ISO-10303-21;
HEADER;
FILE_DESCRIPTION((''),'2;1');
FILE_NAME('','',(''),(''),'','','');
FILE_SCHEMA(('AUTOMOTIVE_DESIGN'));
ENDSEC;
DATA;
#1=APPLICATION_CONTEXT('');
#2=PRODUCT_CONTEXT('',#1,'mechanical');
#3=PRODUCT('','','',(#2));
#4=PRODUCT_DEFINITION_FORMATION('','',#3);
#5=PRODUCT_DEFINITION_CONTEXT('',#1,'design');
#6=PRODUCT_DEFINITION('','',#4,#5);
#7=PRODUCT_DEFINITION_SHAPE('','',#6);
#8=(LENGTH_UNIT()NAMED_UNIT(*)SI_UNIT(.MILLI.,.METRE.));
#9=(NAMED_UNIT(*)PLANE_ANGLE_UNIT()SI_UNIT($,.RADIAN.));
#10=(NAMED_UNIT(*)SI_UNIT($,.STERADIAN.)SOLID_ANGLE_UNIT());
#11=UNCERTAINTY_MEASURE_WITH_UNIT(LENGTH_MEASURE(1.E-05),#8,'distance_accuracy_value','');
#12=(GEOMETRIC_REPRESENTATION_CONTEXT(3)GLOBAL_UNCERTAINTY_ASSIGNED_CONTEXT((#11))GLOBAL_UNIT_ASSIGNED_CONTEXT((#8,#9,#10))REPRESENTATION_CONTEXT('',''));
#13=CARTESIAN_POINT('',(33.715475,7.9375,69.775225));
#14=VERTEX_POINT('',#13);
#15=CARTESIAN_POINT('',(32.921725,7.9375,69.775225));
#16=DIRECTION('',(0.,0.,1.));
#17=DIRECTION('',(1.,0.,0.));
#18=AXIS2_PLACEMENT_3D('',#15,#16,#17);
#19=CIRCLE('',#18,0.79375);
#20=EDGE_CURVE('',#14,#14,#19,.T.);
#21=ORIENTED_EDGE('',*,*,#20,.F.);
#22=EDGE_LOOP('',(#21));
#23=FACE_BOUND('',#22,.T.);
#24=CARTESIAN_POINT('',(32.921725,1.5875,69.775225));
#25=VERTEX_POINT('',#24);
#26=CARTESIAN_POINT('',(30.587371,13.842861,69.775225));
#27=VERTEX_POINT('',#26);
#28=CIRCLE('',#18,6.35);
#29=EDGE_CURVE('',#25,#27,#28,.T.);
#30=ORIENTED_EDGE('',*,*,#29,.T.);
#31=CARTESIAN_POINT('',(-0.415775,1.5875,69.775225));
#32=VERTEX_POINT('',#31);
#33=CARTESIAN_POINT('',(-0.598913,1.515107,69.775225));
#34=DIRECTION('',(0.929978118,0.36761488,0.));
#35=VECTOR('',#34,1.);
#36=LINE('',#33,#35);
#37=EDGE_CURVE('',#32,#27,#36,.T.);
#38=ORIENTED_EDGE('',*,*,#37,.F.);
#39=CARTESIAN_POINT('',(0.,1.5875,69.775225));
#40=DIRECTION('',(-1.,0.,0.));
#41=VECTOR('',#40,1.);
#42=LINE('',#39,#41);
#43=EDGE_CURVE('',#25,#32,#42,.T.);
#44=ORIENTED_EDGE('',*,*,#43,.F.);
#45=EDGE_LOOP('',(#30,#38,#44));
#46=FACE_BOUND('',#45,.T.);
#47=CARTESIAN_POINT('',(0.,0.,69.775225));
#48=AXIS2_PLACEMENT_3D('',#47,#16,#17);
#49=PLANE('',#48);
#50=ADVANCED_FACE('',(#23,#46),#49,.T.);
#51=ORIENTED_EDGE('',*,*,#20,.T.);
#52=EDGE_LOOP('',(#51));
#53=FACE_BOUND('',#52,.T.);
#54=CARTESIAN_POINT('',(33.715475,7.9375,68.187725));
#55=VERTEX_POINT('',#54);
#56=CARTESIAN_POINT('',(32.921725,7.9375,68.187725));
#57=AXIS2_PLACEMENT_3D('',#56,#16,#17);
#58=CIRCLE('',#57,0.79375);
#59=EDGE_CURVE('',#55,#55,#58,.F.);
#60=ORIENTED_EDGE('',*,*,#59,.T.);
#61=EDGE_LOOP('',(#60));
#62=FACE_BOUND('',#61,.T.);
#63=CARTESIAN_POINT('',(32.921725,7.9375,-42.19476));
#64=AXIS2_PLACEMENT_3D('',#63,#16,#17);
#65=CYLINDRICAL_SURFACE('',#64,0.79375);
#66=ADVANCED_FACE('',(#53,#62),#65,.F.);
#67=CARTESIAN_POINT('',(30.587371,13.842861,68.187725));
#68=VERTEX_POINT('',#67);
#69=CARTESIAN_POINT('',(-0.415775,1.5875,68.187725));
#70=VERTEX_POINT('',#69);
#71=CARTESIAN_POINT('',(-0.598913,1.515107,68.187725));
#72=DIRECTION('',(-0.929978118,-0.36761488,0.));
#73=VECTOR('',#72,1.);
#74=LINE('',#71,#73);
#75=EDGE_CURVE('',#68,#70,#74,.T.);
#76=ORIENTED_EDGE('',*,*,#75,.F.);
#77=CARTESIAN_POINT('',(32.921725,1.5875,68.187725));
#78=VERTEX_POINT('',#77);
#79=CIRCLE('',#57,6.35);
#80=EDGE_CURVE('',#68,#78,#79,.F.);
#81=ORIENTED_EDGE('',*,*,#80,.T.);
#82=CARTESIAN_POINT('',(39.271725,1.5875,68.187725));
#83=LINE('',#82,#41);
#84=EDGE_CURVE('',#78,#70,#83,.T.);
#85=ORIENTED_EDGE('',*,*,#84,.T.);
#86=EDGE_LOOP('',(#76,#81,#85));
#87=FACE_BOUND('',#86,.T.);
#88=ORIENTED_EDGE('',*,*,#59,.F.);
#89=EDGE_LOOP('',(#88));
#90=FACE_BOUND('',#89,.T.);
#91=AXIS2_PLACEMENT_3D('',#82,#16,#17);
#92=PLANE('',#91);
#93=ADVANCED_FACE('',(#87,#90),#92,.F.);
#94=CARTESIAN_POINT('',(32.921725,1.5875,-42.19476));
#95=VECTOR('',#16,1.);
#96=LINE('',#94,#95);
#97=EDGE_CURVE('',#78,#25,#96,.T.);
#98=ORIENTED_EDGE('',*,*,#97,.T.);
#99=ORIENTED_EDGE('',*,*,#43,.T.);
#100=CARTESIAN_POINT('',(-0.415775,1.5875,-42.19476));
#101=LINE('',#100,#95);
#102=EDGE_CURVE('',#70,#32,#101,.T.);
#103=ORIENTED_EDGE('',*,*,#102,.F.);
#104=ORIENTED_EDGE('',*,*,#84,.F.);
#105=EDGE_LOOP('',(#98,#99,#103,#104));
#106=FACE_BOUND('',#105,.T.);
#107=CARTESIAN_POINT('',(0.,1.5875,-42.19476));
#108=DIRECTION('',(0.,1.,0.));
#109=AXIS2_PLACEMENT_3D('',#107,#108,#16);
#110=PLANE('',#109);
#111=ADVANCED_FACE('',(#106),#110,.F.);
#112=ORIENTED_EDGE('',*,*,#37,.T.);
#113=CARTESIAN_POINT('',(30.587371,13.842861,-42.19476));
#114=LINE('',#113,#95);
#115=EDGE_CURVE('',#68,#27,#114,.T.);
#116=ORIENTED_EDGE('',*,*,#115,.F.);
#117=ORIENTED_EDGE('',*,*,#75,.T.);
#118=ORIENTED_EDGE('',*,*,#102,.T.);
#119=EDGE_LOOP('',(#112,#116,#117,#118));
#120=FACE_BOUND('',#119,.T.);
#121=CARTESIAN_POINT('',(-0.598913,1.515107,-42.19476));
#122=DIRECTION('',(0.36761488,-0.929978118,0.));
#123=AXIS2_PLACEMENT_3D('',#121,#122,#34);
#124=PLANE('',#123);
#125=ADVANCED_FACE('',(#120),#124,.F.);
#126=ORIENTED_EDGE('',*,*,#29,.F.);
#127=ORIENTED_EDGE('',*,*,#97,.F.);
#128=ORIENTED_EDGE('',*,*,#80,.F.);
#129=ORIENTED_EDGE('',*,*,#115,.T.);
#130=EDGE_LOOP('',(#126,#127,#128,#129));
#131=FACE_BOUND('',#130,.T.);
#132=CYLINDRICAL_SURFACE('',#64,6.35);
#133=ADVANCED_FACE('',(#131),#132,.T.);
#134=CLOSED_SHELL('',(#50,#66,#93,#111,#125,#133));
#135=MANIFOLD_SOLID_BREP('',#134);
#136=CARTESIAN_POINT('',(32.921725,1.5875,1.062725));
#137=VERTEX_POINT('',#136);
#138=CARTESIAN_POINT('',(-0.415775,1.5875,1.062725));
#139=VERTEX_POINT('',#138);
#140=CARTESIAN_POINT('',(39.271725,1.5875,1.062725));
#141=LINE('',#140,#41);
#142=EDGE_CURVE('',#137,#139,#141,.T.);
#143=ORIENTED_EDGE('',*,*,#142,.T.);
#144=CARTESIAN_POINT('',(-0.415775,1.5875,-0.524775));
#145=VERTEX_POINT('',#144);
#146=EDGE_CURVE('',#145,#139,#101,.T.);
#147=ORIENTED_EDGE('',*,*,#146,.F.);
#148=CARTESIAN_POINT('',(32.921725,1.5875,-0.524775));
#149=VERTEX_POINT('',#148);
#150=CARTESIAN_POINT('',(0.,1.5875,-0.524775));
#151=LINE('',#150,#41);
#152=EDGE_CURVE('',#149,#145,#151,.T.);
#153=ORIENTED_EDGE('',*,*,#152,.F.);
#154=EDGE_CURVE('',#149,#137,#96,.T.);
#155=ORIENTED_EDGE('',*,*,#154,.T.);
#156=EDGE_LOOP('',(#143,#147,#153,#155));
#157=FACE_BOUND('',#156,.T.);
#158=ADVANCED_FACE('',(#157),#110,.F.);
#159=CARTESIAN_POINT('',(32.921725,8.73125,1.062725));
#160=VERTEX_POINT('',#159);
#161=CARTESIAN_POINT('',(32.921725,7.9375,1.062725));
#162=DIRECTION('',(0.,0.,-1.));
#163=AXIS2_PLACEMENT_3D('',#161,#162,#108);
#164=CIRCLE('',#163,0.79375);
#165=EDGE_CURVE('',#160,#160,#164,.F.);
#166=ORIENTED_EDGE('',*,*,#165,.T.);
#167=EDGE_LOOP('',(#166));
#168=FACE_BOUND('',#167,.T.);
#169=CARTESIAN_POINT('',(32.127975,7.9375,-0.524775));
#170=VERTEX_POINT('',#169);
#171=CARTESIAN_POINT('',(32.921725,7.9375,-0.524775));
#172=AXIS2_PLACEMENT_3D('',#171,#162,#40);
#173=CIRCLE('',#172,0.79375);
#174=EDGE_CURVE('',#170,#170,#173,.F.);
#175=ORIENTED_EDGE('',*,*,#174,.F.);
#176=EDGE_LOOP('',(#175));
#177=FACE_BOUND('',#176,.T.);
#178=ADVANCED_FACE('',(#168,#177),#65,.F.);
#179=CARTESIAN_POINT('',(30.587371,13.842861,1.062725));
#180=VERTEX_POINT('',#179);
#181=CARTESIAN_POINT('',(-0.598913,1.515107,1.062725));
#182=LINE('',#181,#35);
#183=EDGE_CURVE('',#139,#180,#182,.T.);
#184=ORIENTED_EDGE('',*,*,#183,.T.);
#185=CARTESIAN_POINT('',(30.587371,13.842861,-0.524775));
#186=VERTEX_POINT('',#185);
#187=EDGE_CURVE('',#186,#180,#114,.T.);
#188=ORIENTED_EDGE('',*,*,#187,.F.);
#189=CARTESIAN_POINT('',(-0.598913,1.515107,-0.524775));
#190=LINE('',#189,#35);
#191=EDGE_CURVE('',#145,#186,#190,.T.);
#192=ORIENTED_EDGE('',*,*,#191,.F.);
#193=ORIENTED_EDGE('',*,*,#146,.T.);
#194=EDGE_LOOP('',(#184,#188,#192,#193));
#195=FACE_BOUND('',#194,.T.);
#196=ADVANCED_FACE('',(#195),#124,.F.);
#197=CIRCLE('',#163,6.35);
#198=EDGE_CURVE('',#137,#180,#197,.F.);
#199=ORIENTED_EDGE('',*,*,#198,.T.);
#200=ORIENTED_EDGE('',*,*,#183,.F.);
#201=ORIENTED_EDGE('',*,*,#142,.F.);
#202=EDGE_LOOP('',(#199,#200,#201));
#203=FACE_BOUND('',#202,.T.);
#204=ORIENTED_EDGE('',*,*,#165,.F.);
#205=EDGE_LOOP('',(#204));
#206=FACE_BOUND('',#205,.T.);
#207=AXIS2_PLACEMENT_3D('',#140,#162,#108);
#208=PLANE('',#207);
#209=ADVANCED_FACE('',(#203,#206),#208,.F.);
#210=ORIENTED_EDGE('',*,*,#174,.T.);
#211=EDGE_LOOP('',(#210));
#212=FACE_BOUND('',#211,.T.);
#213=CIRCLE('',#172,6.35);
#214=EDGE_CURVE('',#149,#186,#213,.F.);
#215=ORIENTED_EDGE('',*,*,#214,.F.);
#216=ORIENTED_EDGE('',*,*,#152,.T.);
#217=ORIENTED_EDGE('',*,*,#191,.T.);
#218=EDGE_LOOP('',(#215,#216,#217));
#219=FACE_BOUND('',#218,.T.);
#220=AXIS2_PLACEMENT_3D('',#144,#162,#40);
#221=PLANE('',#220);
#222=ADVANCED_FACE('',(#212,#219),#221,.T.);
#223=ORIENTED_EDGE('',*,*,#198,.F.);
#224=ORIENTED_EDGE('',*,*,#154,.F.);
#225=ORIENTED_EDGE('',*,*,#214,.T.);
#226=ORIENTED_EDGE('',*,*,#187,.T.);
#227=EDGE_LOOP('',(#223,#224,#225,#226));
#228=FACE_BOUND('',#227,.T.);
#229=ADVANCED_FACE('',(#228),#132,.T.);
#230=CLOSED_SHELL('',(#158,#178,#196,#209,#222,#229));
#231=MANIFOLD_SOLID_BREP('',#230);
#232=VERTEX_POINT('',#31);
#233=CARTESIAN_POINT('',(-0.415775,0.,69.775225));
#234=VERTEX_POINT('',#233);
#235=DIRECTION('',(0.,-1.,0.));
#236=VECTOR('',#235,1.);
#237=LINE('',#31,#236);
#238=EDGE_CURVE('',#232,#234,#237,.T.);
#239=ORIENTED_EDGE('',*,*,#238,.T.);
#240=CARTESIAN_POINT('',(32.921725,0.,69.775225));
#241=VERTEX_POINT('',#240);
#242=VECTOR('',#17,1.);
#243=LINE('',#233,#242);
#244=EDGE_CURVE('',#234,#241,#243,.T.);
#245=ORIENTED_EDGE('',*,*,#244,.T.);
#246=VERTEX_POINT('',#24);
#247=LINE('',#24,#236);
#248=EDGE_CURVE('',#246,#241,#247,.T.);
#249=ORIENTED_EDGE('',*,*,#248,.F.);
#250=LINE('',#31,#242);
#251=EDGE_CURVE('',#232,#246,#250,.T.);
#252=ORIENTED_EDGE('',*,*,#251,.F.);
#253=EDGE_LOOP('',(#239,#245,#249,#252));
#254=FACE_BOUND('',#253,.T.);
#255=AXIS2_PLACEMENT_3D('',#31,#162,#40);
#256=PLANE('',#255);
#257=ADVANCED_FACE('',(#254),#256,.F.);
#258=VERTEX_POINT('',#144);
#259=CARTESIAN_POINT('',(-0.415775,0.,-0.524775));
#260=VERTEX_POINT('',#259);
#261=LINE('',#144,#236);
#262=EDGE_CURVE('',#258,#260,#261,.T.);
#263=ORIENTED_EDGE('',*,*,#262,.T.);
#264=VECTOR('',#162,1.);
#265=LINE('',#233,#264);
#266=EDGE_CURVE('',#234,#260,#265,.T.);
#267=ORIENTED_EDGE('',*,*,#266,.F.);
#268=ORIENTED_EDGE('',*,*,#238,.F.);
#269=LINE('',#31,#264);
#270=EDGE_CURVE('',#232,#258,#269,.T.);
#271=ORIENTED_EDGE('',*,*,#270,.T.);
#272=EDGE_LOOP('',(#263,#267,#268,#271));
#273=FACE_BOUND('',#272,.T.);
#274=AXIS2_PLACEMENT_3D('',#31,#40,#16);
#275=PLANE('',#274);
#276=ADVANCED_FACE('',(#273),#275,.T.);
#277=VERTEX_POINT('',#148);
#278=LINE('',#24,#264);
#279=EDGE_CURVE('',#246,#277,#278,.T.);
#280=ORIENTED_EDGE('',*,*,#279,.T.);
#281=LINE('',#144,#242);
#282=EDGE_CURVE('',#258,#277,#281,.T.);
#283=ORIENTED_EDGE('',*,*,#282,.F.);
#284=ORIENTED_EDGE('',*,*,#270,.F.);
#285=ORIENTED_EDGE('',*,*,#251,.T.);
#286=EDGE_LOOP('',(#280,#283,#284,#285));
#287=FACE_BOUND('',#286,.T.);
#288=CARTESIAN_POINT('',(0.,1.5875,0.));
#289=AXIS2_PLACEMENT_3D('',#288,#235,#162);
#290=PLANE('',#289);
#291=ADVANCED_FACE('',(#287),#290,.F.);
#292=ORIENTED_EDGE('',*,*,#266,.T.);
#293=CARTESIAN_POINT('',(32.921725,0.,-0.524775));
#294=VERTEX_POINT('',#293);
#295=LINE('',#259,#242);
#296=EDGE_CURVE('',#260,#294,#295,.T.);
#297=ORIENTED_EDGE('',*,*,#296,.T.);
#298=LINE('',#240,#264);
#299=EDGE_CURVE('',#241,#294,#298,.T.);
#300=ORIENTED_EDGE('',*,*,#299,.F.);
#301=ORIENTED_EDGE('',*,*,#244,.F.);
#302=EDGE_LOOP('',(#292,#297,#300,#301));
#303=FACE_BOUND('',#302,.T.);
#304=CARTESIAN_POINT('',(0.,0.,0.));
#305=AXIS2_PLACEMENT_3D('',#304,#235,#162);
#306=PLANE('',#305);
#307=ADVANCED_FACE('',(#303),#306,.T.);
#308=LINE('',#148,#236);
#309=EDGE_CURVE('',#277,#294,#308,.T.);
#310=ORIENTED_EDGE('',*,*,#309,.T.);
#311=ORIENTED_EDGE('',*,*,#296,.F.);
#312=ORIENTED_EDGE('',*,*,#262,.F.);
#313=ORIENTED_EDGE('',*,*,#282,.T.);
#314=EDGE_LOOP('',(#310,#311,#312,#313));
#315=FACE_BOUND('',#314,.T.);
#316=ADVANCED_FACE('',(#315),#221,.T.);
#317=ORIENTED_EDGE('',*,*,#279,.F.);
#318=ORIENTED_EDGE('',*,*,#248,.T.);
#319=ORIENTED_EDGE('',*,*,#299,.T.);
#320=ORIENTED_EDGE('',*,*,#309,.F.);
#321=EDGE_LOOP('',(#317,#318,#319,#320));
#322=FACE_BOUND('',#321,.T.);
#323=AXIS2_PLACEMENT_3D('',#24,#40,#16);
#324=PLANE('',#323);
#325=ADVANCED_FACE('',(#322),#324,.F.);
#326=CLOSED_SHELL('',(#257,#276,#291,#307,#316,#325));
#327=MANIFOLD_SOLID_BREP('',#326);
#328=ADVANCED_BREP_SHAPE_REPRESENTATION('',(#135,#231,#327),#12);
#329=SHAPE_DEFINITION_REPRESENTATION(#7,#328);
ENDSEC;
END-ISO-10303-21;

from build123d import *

# Parameters (mm, degrees)
SKETCH1_W           = 33.3375
SKETCH1_H           = 70.3
BOSS_EXTRUDE1_DEPTH = 1.5875
SKETCH3_R           = 0.79375
BOSS_EXTRUDE2_DEPTH = 70.3
SKETCH4_W           = 67.125
SKETCH4_H           = 12.7
CUT_EXTRUDE1_DEPTH  = 40.6875


with BuildPart() as part:
    # Sketch1 → Boss-Extrude1 (new body)
    with BuildSketch(Plane(origin=(0, 0, 0), x_dir=(1, 0, 0), z_dir=(0, 1, 0))):
        with Locations((16.252975171, -34.625224743)):
            Rectangle(SKETCH1_W, SKETCH1_H)
    extrude(amount=BOSS_EXTRUDE1_DEPTH)


with BuildPart() as body_2:
    # Sketch3 → Boss-Extrude2 (new body)
    with BuildSketch(Plane.XY.offset(69.775224743)):
        with BuildLine():
            Line((30.587370685, 13.84286105), (-0.415774829, 1.5875))
            Line((-0.415774829, 1.5875), (32.921725171, 1.5875))
            ThreePointArc((32.921725171, 1.5875), (39.159575068, 9.125661885), (30.587370685, 13.84286105))
        make_face()
        with Locations((32.921725171, 7.9375)):
            Circle(SKETCH3_R, mode=Mode.SUBTRACT)
    extrude(amount=-BOSS_EXTRUDE2_DEPTH)

    # Sketch4 → Cut-Extrude1 (cut, through all)
    with BuildSketch(Plane.ZY.offset(0.415774829)):
        with Locations((34.625224743, 7.9375)):
            Rectangle(SKETCH4_W, SKETCH4_H)
    extrude(amount=-CUT_EXTRUDE1_DEPTH, mode=Mode.SUBTRACT)


solid = Compound([part.part, body_2.part])
